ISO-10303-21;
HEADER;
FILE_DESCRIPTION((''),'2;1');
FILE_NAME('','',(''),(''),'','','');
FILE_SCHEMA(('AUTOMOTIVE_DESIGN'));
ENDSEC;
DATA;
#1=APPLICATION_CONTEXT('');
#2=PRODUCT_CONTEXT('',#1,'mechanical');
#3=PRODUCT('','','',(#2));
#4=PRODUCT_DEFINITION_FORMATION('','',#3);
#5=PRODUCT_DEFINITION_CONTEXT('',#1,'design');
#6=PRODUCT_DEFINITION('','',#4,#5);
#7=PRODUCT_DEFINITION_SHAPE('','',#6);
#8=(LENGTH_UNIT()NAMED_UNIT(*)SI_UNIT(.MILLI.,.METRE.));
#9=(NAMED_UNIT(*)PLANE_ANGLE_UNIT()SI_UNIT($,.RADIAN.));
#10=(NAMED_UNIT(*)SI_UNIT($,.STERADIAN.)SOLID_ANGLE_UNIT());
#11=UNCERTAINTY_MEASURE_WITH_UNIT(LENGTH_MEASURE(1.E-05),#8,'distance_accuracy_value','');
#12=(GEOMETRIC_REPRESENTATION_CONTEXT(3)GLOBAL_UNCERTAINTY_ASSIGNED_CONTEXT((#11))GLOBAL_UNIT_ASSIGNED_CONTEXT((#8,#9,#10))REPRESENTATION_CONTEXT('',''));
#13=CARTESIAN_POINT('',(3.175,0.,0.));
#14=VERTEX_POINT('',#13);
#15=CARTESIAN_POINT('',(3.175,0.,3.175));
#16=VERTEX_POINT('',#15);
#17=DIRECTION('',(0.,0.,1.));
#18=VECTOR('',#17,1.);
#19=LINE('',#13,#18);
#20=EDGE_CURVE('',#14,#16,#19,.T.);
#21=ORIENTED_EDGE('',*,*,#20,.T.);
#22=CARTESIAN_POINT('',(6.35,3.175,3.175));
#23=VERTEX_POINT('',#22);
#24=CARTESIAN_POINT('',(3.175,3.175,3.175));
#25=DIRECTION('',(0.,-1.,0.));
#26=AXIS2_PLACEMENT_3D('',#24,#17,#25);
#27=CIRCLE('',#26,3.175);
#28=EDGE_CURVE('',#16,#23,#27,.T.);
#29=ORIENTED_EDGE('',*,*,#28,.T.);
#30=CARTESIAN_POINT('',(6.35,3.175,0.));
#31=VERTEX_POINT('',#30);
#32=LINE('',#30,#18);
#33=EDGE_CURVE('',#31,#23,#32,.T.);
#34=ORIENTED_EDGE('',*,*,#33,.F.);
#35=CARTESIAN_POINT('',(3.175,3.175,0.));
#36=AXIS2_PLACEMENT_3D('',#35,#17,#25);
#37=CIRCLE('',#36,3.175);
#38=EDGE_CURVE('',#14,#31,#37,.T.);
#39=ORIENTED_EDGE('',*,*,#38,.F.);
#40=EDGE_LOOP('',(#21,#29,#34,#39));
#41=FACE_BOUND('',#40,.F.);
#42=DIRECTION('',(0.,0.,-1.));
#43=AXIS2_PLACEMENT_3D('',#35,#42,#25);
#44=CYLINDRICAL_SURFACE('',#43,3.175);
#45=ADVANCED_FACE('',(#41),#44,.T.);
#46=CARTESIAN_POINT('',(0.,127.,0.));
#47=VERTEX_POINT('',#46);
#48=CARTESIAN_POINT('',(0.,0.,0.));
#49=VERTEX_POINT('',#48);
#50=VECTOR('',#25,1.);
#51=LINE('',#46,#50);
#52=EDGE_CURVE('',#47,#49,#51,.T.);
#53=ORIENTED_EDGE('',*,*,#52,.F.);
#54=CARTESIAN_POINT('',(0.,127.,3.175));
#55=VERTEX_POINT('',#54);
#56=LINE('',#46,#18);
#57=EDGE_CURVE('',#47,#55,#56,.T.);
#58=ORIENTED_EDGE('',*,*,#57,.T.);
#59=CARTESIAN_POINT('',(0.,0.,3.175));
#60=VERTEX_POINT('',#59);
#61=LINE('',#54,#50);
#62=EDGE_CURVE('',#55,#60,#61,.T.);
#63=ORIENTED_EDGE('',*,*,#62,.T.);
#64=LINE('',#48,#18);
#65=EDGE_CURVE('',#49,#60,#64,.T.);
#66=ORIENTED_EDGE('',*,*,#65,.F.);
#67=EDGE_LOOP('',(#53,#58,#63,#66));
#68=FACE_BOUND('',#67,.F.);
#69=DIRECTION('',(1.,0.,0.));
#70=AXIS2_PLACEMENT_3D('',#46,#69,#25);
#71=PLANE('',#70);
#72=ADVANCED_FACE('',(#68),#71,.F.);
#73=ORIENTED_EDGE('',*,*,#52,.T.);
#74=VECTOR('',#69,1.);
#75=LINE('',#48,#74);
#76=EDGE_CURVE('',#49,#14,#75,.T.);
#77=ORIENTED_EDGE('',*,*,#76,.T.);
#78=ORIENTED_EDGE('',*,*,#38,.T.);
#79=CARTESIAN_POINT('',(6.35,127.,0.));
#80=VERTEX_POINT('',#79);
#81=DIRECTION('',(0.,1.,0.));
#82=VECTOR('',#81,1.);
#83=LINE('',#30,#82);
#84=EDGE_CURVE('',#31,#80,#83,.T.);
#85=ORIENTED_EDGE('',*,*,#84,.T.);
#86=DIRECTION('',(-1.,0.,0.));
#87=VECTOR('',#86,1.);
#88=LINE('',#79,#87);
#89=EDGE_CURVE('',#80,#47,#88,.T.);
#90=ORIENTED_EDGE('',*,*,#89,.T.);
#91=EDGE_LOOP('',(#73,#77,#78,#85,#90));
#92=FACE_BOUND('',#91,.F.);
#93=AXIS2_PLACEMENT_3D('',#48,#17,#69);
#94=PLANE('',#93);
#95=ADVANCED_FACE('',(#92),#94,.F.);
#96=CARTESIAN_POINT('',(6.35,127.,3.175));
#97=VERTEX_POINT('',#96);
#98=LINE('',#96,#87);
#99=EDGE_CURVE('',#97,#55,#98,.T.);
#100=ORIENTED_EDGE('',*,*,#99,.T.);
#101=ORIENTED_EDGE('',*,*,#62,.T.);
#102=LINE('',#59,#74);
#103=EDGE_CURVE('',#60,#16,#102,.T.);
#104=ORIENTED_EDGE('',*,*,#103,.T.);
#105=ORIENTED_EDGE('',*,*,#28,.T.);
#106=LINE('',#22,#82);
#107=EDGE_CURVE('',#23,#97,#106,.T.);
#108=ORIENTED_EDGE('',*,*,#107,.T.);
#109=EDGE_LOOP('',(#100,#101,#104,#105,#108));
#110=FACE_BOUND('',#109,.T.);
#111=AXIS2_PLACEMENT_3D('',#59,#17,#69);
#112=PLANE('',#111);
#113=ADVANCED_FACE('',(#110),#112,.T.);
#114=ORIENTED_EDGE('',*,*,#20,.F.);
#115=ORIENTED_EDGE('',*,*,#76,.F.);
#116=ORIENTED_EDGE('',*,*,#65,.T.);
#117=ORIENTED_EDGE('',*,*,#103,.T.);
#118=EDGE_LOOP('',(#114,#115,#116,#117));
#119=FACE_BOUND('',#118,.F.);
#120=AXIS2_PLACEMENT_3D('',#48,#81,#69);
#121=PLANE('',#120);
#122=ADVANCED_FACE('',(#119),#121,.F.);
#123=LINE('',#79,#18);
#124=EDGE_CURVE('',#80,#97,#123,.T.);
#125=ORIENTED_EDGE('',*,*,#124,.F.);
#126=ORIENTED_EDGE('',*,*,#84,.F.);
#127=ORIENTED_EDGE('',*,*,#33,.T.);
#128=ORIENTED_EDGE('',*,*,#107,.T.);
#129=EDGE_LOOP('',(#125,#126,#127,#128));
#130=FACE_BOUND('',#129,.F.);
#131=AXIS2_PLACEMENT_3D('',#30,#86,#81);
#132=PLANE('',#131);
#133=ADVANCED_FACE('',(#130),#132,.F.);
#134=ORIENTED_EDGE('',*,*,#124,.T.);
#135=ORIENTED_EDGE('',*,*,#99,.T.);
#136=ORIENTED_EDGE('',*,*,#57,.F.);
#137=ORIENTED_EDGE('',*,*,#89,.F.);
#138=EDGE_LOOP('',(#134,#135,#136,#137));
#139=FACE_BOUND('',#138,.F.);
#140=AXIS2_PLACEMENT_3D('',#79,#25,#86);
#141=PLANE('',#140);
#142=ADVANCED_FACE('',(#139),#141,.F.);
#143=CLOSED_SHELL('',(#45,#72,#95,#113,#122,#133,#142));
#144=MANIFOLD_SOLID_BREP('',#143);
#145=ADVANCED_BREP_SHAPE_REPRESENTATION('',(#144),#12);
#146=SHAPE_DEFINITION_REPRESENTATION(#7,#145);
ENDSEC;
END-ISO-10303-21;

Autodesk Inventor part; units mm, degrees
ref_plane "YZ Plane" through (0, 0, 0) normal (1, 0, 0) x (0, 1, 0)
ref_plane "XZ Plane" through (0, 0, 0) normal (0, 1, 0) x (-1, 0, 0)
ref_plane "XY Plane" through (0, 0, 0) normal (0, 0, 1) x (1, 0, 0)
sketch "Sketch1" plane through (0, 0, 0) normal (0, 0, 1) x (1, 0, 0)
  line L0 (0, 0) -> (3.175, 0)
  line L1 (6.35, 3.175) -> (6.35, 127)
  line L2 (6.35, 127) -> (0, 127)
  line L3 (0, 127) -> (0, 0)
  arc A0 (3.175, 0) -> (6.35, 3.175) centre (3.175, 3.175) ccw
  line L4 (0, 0) -> (-101.6, 0)
  line L5 (-101.6, 0) -> (-101.6, 3.175)
  point P0 (6.35, 0)
  dimension "d0" = 6.35
  dimension "d1" = 127
  dimension "d2" = 3.175
  dimension "d5" = 101.6
  dimension "d6" = 3.175
extrude "Extrusion1" add sketch "Sketch1" along normal blind 3.175
properties part number "Plexi hook"
